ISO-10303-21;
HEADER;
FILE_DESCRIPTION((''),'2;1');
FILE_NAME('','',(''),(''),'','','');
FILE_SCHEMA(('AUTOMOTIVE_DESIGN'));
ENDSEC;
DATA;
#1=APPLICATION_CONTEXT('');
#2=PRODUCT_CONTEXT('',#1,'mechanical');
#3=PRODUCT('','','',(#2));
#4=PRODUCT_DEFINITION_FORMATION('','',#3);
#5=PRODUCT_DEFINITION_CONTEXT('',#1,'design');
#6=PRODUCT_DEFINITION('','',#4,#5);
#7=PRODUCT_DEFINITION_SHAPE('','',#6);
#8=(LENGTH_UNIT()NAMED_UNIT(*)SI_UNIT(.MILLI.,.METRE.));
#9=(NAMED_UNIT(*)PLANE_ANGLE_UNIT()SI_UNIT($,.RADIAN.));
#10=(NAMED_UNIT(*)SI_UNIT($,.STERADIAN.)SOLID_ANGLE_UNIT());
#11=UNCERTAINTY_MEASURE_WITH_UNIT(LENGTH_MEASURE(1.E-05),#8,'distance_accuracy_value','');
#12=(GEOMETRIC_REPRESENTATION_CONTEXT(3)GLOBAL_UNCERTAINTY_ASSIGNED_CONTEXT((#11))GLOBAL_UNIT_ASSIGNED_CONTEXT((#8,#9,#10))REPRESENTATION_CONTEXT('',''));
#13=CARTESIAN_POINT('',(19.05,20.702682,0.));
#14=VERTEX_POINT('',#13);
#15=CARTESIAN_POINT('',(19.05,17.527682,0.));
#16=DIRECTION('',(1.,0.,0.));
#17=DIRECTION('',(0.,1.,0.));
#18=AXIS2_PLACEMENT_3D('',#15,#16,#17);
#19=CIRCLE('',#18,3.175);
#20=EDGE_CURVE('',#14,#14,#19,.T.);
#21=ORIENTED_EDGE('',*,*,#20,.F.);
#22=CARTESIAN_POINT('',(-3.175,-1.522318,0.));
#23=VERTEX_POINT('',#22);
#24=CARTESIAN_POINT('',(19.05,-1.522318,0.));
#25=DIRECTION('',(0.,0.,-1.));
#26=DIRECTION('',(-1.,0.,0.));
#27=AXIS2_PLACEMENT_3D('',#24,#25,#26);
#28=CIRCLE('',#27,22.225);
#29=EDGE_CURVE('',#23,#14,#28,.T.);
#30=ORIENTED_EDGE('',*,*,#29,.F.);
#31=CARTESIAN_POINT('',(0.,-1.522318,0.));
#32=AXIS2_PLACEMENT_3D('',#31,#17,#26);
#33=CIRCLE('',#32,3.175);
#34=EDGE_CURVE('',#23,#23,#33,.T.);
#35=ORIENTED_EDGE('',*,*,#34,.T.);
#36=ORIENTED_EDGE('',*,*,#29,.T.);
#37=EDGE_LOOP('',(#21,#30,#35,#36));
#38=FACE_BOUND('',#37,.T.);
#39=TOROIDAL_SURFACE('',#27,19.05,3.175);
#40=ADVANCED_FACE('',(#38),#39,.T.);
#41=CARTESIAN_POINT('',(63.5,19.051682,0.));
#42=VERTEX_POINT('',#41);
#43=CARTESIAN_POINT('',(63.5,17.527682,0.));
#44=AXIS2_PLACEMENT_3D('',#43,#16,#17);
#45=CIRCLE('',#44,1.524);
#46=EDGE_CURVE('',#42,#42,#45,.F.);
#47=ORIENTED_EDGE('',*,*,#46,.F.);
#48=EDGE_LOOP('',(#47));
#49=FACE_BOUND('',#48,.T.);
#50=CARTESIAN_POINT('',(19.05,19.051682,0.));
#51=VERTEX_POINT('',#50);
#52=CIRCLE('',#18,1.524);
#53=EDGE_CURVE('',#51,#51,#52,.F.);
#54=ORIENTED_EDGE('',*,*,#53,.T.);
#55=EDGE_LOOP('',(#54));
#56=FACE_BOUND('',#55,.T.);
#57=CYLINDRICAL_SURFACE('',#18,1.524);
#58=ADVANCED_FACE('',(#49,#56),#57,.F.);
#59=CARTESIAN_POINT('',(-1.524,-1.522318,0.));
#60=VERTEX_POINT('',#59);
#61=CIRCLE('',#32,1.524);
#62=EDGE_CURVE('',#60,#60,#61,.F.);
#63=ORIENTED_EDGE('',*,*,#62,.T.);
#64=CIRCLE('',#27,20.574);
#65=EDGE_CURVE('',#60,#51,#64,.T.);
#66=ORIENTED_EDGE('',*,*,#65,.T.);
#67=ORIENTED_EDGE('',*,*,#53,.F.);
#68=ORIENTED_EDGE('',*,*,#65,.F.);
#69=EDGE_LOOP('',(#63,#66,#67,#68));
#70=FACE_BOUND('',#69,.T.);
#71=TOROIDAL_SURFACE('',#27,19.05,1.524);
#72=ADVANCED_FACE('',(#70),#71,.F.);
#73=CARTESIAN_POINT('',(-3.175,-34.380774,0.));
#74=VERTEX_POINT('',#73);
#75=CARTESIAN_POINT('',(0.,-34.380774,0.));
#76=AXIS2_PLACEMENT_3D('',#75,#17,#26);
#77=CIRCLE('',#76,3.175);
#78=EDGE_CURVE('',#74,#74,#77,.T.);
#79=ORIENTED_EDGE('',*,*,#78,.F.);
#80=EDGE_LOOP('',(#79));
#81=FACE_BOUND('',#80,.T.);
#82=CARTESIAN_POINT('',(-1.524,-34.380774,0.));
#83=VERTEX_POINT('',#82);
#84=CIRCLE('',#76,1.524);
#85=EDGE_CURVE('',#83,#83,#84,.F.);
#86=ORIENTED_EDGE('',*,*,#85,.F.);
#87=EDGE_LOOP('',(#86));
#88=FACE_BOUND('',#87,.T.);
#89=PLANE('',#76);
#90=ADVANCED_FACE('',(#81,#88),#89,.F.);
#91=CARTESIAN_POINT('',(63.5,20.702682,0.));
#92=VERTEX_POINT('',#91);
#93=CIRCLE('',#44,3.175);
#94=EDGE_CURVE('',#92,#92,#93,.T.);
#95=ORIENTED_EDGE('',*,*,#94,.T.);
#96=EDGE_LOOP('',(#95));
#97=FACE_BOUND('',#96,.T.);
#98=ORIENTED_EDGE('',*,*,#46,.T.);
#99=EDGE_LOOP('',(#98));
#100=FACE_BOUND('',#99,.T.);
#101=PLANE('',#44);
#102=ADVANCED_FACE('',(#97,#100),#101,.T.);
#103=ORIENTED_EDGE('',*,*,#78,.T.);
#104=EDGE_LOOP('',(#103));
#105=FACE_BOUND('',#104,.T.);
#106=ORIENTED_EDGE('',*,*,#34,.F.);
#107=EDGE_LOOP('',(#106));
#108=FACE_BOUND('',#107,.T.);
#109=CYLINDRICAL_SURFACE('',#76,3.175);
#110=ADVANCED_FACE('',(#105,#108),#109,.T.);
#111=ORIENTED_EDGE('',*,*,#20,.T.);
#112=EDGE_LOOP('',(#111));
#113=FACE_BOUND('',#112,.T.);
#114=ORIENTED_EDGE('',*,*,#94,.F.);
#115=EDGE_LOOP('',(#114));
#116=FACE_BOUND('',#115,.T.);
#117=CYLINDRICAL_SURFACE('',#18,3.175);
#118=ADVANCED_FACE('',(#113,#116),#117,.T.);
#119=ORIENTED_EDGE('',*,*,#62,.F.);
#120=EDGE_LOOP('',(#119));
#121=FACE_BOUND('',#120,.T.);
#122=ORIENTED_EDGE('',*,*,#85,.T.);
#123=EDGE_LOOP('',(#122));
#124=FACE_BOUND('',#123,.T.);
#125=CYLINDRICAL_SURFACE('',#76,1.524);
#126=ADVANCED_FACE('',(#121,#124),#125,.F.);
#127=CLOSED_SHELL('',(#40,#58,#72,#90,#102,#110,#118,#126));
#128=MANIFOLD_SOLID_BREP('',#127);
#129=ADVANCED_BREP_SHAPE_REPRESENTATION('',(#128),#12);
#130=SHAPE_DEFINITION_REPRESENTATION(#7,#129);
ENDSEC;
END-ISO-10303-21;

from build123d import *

# Parameters (mm, degrees)
SKETCH2_R   = 3.175
SKETCH2_R_2 = 1.524


with BuildPart() as part:
    # Sweep1: sweep along a path in Sketch1
    with BuildLine(Plane.XY) as sweep1_path:
        Line((0, -34.380773881), (0, -1.522317881))
        ThreePointArc((0, -1.522317881), (5.579615818, 11.948066301), (19.05, 17.527682119))
        Line((19.05, 17.527682119), (63.5, 17.527682119))
    # Sketch2 → Sweep1 (sweep)
    with BuildSketch(Plane(origin=(63.5, 17.527682119, 0), x_dir=(0, 0, -1), z_dir=(1, 0, 0))):
        Circle(SKETCH2_R)
        Circle(SKETCH2_R_2, mode=Mode.SUBTRACT)
    sweep(path=sweep1_path.line)


solid = part.part
